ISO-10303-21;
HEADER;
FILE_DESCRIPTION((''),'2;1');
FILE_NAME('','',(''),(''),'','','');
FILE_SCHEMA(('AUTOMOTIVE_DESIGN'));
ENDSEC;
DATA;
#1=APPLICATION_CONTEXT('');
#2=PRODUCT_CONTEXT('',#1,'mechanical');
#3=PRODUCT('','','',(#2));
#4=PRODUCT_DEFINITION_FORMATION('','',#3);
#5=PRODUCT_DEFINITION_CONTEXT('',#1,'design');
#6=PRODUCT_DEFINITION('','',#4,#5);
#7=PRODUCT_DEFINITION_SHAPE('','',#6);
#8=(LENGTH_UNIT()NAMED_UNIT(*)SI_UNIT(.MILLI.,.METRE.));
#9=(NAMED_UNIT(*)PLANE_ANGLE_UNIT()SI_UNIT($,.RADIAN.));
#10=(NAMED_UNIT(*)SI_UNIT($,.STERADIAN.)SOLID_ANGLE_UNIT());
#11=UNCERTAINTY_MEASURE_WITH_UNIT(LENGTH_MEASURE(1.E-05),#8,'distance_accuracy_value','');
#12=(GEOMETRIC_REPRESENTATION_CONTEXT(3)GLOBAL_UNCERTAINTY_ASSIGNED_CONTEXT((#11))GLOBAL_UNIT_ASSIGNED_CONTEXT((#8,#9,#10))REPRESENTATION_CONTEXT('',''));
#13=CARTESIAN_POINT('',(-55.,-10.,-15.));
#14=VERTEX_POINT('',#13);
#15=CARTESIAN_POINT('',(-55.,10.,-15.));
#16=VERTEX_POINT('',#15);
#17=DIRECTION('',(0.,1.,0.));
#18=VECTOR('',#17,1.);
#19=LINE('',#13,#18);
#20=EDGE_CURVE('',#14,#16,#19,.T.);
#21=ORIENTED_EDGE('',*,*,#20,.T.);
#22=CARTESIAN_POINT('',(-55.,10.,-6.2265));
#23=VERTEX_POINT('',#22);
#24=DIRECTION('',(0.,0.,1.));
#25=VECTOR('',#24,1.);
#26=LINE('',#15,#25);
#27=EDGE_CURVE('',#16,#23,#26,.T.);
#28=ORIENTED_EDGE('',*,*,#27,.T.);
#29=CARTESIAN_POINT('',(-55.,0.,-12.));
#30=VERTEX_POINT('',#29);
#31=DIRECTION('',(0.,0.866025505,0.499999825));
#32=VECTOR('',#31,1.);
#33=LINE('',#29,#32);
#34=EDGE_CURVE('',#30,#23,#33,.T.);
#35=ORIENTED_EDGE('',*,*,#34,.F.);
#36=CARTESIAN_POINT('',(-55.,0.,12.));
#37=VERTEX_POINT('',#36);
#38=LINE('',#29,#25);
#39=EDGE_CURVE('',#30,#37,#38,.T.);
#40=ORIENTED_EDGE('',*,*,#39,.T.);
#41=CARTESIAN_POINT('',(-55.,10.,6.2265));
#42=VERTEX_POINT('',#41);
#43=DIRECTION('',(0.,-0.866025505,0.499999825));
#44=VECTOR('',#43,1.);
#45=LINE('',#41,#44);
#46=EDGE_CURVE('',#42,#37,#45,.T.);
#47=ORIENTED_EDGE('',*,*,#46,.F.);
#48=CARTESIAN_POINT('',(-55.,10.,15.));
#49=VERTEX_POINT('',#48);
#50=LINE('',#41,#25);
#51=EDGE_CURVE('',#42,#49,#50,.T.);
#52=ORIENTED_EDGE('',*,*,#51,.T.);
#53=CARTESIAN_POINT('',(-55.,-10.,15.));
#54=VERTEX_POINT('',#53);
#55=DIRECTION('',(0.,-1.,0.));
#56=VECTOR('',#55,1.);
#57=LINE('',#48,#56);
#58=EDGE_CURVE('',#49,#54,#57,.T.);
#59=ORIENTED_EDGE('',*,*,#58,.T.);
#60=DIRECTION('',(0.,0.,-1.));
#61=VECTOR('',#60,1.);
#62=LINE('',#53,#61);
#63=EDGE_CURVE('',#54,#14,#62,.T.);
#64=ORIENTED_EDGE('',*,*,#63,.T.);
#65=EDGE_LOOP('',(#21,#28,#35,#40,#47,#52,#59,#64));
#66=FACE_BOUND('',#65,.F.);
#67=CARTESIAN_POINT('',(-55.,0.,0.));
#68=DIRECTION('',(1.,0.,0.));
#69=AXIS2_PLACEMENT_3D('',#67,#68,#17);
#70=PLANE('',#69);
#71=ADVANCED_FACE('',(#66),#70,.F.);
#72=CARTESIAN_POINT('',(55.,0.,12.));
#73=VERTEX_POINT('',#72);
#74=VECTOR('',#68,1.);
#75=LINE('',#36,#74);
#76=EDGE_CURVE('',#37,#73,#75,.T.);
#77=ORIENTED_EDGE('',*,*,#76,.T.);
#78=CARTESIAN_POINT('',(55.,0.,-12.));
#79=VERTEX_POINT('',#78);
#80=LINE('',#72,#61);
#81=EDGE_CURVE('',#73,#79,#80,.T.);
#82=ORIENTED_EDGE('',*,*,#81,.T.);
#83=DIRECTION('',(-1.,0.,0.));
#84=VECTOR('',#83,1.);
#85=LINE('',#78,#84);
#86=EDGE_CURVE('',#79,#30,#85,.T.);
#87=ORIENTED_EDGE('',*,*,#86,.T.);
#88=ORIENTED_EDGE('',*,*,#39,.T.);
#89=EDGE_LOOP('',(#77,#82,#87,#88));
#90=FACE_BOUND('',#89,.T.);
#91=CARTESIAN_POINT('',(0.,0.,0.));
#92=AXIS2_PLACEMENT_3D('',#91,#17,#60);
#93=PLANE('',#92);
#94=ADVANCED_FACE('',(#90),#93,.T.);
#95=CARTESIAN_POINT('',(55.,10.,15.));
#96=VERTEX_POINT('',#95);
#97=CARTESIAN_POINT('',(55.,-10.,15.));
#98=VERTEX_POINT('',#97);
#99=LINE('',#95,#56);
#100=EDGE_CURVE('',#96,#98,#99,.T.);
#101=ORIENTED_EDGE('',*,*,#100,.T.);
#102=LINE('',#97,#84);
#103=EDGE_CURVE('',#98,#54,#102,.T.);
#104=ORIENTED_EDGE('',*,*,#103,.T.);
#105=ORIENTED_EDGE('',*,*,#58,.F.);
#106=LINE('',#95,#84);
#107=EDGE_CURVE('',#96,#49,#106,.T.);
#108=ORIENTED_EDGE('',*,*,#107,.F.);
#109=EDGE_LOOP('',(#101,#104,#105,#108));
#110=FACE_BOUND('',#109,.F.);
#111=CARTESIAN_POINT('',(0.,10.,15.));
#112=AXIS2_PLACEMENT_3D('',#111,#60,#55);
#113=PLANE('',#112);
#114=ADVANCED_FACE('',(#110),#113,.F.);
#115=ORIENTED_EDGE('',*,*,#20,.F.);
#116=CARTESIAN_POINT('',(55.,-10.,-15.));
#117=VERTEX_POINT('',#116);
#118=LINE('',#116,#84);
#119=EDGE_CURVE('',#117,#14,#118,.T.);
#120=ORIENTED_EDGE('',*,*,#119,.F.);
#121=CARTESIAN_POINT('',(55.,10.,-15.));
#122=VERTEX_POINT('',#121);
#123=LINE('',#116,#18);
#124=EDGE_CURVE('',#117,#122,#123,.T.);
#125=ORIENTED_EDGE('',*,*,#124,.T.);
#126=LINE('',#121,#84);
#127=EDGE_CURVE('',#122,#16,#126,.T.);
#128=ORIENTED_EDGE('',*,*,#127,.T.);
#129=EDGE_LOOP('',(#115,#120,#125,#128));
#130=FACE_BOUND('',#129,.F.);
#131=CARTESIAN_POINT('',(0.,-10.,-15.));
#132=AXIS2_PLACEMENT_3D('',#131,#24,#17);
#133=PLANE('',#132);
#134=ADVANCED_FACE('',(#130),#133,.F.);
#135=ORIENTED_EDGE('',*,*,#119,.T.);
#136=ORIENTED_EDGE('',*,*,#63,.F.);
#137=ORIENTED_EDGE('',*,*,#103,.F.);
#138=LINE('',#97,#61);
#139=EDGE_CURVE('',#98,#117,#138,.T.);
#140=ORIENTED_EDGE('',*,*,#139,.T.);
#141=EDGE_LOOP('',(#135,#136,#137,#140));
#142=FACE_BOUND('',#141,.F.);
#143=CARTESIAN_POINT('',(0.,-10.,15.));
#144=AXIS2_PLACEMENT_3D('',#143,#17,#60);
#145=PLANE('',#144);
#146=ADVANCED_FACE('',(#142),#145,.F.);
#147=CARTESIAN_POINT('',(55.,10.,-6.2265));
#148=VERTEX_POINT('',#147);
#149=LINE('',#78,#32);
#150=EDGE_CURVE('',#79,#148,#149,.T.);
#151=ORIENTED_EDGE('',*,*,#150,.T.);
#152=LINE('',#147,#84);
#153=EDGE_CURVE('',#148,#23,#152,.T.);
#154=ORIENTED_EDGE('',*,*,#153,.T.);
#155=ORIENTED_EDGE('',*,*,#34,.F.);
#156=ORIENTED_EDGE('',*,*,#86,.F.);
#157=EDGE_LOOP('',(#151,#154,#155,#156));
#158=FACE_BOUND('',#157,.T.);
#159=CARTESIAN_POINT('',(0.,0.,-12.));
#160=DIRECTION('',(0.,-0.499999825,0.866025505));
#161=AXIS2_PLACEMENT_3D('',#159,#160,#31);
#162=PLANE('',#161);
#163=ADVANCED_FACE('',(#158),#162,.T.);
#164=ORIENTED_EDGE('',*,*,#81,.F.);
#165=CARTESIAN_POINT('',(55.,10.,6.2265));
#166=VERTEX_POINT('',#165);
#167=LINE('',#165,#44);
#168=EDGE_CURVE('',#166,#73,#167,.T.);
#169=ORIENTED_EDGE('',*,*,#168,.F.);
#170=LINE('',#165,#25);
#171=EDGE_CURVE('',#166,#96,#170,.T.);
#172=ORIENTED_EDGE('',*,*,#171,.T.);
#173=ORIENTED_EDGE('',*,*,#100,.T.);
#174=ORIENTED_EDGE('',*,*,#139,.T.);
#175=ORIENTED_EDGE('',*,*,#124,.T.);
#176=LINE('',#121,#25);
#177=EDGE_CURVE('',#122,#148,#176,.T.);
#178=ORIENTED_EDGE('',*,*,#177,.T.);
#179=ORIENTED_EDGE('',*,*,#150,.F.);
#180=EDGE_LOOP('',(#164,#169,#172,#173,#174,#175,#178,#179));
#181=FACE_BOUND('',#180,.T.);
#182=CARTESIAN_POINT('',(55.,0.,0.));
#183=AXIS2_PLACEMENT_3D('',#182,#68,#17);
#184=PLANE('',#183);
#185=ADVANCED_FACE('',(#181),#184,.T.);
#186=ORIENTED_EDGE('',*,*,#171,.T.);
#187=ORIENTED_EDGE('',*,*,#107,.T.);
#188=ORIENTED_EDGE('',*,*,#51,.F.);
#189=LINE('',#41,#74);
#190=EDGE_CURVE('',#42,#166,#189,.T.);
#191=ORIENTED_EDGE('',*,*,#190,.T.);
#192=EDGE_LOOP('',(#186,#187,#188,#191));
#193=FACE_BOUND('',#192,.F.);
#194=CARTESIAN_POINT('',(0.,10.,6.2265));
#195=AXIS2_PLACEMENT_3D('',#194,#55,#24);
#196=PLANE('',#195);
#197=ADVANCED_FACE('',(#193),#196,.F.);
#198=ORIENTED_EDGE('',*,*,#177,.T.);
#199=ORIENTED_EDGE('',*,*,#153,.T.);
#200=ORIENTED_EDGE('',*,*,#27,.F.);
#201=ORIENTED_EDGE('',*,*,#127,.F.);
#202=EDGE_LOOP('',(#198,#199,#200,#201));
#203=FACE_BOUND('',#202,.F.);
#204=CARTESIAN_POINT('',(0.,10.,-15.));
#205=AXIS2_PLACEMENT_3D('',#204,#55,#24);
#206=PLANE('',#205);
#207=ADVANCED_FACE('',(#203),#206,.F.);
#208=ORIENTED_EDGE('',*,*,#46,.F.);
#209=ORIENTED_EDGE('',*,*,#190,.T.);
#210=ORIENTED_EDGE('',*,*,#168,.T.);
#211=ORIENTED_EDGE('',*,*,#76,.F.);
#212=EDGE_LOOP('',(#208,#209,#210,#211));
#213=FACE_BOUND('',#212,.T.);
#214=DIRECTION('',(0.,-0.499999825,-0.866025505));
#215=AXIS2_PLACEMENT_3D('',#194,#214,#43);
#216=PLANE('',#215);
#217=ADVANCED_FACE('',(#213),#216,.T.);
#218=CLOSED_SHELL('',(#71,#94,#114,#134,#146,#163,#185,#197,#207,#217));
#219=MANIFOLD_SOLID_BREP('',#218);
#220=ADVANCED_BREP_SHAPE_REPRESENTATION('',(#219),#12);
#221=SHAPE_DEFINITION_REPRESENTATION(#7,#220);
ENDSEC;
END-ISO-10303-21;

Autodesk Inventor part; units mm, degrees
ref_plane "YZ Plane" through (0, 0, 0) normal (1, 0, 0) x (0, 1, 0)
ref_plane "XZ Plane" through (0, 0, 0) normal (0, 1, 0) x (-1, 0, 0)
ref_plane "XY Plane" through (0, 0, 0) normal (0, 0, 1) x (1, 0, 0)
sketch "Sketch4" plane through (0, 0, 0) normal (1, 0, 0) x (0, 1, 0)
  line L0 (0, 0) -> (0, -12)
  line L1 (0, -12) -> (10, -6.2265)
  line L2 (10, -6.2265) -> (10, 6.2265) construction
  line L3 (10, 6.2265) -> (0, 12)
  line L4 (0, 12) -> (0, 0)
  line L5 (0, 0) -> (10, 0) construction
  line L6 (10, 6.2265) -> (10, 15)
  line L7 (10, 15) -> (-10, 15)
  line L8 (-10, 15) -> (-10, -15)
  line L9 (-10, -15) -> (10, -15)
  line L10 (10, -15) -> (10, -6.2265)
  dimension "d31" = 60
  dimension "d32" = 60
  dimension "d33" = 10
  dimension "d34" = 12
  dimension "d43" = 10
  dimension "d44" = 30
extrude "Extrusion3" add sketch "Sketch4" along normal mid plane 110
properties part number "Runway" material "Acero, carbono"
